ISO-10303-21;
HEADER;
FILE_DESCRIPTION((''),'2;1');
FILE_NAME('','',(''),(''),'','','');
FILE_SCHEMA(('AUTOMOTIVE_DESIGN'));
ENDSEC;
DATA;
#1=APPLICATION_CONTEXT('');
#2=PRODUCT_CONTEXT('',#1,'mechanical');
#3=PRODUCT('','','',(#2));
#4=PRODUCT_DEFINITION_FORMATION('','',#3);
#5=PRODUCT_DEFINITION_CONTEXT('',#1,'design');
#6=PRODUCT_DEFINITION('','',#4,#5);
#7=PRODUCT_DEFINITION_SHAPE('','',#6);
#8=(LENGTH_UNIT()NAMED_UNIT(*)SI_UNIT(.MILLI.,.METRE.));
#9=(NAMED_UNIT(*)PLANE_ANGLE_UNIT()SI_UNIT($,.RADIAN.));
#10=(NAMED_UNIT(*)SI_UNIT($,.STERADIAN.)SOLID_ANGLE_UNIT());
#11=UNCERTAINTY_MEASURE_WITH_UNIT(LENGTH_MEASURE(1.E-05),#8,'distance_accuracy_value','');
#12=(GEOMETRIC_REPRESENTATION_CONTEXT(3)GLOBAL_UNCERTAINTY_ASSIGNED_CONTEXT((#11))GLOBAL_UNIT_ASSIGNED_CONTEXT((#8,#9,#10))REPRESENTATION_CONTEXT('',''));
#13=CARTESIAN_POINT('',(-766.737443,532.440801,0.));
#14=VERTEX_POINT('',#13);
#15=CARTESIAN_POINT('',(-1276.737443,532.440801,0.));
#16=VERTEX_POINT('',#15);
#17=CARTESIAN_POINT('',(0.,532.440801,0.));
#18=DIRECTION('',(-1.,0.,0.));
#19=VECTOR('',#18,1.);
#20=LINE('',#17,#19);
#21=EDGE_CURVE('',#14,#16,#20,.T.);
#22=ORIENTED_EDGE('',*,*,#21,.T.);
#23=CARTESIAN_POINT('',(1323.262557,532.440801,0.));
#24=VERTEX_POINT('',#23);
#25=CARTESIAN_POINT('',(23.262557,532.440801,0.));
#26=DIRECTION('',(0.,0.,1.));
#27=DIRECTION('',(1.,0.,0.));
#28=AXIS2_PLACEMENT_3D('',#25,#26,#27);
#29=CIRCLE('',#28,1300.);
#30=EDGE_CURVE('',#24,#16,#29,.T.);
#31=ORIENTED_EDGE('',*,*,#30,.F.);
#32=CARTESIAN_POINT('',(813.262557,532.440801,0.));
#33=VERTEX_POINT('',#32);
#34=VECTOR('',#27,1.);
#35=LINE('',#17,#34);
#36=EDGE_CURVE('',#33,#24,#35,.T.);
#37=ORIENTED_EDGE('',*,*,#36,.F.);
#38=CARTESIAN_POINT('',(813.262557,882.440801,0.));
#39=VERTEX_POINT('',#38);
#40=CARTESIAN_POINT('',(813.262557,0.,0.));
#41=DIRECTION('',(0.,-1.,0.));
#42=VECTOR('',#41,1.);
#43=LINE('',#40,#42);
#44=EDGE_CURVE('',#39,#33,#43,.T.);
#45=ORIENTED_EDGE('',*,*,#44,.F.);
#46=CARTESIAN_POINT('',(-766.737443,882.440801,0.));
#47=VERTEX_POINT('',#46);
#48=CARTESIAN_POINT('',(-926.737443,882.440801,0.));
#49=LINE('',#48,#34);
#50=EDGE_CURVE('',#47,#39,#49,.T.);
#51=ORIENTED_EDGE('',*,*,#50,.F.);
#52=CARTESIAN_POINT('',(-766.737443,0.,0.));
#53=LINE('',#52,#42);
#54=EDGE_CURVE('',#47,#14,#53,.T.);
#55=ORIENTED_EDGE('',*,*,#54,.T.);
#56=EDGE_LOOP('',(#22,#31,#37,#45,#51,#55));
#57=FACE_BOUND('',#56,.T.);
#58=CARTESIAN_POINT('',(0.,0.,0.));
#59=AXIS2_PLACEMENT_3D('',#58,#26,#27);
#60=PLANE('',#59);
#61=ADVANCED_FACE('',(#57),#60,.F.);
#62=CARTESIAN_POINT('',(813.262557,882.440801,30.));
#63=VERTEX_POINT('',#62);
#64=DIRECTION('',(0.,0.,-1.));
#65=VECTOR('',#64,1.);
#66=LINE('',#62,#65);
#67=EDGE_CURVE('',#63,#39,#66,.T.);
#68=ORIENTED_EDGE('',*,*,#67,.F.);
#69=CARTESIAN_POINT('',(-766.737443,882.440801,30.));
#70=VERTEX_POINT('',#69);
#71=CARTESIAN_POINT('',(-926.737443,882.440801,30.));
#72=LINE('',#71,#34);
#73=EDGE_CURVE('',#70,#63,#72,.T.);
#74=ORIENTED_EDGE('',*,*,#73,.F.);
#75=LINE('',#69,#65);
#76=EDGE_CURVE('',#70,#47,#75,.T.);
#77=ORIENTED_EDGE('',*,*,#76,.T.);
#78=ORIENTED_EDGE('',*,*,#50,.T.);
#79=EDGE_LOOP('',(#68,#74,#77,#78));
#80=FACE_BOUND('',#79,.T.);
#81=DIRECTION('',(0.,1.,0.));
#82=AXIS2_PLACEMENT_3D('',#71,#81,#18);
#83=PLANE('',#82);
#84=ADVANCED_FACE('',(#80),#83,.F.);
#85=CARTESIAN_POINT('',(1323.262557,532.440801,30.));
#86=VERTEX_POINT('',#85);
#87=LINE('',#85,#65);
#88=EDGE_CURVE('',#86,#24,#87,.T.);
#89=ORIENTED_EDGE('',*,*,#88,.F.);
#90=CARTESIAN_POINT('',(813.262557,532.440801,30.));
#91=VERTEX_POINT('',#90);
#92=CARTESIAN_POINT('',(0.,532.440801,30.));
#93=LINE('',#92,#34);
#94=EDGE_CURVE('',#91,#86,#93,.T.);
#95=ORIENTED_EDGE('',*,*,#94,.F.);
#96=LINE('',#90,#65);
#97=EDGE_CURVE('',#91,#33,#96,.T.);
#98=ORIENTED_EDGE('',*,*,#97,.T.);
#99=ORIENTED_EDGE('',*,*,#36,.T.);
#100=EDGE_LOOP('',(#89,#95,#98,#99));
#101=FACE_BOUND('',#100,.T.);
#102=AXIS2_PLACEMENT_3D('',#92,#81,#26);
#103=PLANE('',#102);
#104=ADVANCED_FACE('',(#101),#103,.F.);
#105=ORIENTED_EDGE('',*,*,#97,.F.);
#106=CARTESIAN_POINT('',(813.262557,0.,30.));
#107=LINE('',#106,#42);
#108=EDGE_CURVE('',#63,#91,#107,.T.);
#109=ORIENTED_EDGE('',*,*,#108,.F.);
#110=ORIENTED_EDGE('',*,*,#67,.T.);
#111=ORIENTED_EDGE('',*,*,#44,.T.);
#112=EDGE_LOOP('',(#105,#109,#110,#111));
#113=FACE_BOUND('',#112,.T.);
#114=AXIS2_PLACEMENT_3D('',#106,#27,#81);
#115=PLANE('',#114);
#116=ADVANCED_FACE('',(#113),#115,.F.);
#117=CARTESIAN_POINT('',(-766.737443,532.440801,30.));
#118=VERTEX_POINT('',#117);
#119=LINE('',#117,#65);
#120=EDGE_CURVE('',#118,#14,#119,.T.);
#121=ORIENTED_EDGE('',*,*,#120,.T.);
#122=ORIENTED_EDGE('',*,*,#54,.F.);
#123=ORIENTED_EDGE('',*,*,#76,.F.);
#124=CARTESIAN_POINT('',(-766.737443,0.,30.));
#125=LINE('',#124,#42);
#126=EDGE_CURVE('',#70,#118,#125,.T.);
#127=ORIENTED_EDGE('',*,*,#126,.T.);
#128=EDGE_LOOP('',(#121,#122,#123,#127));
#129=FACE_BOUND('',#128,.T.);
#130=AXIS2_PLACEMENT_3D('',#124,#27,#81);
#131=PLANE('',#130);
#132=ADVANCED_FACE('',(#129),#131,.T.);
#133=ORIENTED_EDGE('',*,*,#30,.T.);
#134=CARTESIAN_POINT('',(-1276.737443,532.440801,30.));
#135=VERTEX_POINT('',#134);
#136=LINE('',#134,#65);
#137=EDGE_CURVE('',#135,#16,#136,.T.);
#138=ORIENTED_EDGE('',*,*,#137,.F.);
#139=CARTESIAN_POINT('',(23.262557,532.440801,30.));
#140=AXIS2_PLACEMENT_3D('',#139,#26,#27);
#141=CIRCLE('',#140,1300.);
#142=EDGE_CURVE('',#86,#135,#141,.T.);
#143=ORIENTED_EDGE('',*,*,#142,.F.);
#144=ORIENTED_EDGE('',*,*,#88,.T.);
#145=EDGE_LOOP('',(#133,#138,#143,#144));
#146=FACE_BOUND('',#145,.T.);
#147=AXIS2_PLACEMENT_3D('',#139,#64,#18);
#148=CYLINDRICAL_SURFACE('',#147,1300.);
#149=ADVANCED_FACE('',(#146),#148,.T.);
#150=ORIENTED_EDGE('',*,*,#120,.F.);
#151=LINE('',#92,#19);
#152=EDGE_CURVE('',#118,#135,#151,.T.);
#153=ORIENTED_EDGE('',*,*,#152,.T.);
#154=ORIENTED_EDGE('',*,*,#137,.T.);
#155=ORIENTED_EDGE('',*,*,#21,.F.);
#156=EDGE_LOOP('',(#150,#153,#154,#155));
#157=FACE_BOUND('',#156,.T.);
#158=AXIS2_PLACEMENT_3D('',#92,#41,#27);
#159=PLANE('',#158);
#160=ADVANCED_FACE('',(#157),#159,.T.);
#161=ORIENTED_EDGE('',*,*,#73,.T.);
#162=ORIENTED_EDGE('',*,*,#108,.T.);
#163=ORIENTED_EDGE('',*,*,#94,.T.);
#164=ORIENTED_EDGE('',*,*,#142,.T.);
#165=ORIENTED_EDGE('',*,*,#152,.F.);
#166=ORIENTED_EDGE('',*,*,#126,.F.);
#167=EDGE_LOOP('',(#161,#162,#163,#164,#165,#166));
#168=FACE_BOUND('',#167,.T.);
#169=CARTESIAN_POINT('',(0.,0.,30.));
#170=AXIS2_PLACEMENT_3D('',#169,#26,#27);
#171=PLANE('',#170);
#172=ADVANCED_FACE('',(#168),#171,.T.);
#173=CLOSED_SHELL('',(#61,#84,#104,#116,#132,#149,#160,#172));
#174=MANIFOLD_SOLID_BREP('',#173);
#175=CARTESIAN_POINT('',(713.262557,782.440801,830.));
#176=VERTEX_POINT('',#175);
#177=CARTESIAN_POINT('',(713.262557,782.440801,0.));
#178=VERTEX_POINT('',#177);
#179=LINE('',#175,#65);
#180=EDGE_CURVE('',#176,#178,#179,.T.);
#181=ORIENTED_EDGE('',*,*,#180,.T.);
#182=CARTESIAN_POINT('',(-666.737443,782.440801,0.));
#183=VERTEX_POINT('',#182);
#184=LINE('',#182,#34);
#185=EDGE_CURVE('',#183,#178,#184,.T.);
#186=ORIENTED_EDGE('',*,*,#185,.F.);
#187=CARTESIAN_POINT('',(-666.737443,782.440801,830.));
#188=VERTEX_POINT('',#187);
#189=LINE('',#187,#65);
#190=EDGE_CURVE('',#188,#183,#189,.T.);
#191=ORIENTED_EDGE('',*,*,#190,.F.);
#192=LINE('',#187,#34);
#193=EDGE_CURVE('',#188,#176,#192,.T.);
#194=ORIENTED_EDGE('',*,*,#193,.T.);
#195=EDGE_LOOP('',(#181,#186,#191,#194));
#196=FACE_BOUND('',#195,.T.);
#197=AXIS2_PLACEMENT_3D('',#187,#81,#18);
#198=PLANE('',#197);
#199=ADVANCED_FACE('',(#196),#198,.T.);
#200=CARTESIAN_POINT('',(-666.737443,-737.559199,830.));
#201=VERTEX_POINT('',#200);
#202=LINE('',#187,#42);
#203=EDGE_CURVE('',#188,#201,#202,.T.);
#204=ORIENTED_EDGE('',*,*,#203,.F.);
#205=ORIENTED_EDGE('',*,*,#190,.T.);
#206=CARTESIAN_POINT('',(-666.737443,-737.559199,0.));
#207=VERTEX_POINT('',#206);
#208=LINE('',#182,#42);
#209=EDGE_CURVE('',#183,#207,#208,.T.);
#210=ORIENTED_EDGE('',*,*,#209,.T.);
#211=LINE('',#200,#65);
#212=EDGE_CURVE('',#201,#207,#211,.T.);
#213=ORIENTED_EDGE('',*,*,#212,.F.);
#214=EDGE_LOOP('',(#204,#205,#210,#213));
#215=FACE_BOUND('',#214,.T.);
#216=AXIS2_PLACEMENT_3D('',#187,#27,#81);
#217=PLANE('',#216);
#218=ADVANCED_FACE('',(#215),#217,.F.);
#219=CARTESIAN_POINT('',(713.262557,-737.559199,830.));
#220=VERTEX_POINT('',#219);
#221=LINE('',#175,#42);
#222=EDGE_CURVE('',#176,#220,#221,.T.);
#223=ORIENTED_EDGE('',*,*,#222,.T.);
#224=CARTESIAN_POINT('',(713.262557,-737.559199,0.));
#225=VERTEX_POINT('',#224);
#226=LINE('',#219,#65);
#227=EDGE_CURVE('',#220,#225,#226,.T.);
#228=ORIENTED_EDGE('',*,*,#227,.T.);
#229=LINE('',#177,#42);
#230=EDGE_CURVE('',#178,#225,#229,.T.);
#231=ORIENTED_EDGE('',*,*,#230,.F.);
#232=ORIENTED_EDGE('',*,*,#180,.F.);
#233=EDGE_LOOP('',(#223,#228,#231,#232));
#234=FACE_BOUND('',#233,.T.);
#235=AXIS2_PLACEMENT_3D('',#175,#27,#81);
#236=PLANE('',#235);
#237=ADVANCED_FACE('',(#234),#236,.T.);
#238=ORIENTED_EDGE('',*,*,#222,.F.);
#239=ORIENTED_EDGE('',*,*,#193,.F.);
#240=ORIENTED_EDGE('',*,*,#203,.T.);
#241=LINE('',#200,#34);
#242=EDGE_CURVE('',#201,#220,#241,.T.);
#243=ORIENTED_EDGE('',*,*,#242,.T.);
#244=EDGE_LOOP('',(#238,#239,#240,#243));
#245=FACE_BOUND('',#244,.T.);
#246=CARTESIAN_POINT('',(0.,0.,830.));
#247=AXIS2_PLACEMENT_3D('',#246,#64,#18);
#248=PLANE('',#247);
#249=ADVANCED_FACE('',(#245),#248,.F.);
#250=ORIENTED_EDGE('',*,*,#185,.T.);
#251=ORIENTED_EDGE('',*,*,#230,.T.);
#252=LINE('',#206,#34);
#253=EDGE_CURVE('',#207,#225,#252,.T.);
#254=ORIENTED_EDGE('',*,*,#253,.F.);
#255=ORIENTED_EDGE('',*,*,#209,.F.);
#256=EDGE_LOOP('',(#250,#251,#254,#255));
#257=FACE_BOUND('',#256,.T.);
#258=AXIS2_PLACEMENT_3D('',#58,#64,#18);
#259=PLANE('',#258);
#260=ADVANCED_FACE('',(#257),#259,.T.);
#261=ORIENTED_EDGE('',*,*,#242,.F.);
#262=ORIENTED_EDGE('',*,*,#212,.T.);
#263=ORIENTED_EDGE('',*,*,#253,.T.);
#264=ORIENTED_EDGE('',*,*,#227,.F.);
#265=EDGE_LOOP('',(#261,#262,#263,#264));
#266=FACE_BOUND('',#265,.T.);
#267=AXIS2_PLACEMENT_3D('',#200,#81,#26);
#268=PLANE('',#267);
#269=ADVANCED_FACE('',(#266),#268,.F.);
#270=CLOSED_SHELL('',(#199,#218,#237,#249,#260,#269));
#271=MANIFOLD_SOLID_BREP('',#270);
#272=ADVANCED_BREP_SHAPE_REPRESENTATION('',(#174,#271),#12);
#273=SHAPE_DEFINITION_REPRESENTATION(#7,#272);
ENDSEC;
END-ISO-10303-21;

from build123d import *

# Parameters (mm, degrees)
SKETCH2_W           = 1380
SKETCH2_H           = 1520
BOSS_EXTRUDE3_DEPTH = 830
BOSS_EXTRUDE4_DEPTH = 30


with BuildPart() as part:
    # Sketch2 → Boss-Extrude3 (new body)
    with BuildSketch(Plane.XY):
        with Locations((23.262557024, 22.44080113)):
            Rectangle(SKETCH2_W, SKETCH2_H)
    extrude(amount=BOSS_EXTRUDE3_DEPTH)


with BuildPart() as body_2:
    # Sketch3 → Boss-Extrude4 (new body)
    with BuildSketch(Plane.XY):
        with BuildLine():
            ThreePointArc((1323.262557024, 532.44080113), (23.262557024, 1832.44080113), (-1276.737442976, 532.44080113))
            Line((-1276.737442976, 532.44080113), (-766.737442976, 532.44080113))
            Line((-766.737442976, 532.44080113), (-766.737442976, 882.44080113))
            Line((-766.737442976, 882.44080113), (813.262557024, 882.44080113))
            Line((813.262557024, 882.44080113), (813.262557024, 532.44080113))
            Line((813.262557024, 532.44080113), (1323.262557024, 532.44080113))
        make_face()
    extrude(amount=BOSS_EXTRUDE4_DEPTH)


solid = Compound([part.part, body_2.part])
